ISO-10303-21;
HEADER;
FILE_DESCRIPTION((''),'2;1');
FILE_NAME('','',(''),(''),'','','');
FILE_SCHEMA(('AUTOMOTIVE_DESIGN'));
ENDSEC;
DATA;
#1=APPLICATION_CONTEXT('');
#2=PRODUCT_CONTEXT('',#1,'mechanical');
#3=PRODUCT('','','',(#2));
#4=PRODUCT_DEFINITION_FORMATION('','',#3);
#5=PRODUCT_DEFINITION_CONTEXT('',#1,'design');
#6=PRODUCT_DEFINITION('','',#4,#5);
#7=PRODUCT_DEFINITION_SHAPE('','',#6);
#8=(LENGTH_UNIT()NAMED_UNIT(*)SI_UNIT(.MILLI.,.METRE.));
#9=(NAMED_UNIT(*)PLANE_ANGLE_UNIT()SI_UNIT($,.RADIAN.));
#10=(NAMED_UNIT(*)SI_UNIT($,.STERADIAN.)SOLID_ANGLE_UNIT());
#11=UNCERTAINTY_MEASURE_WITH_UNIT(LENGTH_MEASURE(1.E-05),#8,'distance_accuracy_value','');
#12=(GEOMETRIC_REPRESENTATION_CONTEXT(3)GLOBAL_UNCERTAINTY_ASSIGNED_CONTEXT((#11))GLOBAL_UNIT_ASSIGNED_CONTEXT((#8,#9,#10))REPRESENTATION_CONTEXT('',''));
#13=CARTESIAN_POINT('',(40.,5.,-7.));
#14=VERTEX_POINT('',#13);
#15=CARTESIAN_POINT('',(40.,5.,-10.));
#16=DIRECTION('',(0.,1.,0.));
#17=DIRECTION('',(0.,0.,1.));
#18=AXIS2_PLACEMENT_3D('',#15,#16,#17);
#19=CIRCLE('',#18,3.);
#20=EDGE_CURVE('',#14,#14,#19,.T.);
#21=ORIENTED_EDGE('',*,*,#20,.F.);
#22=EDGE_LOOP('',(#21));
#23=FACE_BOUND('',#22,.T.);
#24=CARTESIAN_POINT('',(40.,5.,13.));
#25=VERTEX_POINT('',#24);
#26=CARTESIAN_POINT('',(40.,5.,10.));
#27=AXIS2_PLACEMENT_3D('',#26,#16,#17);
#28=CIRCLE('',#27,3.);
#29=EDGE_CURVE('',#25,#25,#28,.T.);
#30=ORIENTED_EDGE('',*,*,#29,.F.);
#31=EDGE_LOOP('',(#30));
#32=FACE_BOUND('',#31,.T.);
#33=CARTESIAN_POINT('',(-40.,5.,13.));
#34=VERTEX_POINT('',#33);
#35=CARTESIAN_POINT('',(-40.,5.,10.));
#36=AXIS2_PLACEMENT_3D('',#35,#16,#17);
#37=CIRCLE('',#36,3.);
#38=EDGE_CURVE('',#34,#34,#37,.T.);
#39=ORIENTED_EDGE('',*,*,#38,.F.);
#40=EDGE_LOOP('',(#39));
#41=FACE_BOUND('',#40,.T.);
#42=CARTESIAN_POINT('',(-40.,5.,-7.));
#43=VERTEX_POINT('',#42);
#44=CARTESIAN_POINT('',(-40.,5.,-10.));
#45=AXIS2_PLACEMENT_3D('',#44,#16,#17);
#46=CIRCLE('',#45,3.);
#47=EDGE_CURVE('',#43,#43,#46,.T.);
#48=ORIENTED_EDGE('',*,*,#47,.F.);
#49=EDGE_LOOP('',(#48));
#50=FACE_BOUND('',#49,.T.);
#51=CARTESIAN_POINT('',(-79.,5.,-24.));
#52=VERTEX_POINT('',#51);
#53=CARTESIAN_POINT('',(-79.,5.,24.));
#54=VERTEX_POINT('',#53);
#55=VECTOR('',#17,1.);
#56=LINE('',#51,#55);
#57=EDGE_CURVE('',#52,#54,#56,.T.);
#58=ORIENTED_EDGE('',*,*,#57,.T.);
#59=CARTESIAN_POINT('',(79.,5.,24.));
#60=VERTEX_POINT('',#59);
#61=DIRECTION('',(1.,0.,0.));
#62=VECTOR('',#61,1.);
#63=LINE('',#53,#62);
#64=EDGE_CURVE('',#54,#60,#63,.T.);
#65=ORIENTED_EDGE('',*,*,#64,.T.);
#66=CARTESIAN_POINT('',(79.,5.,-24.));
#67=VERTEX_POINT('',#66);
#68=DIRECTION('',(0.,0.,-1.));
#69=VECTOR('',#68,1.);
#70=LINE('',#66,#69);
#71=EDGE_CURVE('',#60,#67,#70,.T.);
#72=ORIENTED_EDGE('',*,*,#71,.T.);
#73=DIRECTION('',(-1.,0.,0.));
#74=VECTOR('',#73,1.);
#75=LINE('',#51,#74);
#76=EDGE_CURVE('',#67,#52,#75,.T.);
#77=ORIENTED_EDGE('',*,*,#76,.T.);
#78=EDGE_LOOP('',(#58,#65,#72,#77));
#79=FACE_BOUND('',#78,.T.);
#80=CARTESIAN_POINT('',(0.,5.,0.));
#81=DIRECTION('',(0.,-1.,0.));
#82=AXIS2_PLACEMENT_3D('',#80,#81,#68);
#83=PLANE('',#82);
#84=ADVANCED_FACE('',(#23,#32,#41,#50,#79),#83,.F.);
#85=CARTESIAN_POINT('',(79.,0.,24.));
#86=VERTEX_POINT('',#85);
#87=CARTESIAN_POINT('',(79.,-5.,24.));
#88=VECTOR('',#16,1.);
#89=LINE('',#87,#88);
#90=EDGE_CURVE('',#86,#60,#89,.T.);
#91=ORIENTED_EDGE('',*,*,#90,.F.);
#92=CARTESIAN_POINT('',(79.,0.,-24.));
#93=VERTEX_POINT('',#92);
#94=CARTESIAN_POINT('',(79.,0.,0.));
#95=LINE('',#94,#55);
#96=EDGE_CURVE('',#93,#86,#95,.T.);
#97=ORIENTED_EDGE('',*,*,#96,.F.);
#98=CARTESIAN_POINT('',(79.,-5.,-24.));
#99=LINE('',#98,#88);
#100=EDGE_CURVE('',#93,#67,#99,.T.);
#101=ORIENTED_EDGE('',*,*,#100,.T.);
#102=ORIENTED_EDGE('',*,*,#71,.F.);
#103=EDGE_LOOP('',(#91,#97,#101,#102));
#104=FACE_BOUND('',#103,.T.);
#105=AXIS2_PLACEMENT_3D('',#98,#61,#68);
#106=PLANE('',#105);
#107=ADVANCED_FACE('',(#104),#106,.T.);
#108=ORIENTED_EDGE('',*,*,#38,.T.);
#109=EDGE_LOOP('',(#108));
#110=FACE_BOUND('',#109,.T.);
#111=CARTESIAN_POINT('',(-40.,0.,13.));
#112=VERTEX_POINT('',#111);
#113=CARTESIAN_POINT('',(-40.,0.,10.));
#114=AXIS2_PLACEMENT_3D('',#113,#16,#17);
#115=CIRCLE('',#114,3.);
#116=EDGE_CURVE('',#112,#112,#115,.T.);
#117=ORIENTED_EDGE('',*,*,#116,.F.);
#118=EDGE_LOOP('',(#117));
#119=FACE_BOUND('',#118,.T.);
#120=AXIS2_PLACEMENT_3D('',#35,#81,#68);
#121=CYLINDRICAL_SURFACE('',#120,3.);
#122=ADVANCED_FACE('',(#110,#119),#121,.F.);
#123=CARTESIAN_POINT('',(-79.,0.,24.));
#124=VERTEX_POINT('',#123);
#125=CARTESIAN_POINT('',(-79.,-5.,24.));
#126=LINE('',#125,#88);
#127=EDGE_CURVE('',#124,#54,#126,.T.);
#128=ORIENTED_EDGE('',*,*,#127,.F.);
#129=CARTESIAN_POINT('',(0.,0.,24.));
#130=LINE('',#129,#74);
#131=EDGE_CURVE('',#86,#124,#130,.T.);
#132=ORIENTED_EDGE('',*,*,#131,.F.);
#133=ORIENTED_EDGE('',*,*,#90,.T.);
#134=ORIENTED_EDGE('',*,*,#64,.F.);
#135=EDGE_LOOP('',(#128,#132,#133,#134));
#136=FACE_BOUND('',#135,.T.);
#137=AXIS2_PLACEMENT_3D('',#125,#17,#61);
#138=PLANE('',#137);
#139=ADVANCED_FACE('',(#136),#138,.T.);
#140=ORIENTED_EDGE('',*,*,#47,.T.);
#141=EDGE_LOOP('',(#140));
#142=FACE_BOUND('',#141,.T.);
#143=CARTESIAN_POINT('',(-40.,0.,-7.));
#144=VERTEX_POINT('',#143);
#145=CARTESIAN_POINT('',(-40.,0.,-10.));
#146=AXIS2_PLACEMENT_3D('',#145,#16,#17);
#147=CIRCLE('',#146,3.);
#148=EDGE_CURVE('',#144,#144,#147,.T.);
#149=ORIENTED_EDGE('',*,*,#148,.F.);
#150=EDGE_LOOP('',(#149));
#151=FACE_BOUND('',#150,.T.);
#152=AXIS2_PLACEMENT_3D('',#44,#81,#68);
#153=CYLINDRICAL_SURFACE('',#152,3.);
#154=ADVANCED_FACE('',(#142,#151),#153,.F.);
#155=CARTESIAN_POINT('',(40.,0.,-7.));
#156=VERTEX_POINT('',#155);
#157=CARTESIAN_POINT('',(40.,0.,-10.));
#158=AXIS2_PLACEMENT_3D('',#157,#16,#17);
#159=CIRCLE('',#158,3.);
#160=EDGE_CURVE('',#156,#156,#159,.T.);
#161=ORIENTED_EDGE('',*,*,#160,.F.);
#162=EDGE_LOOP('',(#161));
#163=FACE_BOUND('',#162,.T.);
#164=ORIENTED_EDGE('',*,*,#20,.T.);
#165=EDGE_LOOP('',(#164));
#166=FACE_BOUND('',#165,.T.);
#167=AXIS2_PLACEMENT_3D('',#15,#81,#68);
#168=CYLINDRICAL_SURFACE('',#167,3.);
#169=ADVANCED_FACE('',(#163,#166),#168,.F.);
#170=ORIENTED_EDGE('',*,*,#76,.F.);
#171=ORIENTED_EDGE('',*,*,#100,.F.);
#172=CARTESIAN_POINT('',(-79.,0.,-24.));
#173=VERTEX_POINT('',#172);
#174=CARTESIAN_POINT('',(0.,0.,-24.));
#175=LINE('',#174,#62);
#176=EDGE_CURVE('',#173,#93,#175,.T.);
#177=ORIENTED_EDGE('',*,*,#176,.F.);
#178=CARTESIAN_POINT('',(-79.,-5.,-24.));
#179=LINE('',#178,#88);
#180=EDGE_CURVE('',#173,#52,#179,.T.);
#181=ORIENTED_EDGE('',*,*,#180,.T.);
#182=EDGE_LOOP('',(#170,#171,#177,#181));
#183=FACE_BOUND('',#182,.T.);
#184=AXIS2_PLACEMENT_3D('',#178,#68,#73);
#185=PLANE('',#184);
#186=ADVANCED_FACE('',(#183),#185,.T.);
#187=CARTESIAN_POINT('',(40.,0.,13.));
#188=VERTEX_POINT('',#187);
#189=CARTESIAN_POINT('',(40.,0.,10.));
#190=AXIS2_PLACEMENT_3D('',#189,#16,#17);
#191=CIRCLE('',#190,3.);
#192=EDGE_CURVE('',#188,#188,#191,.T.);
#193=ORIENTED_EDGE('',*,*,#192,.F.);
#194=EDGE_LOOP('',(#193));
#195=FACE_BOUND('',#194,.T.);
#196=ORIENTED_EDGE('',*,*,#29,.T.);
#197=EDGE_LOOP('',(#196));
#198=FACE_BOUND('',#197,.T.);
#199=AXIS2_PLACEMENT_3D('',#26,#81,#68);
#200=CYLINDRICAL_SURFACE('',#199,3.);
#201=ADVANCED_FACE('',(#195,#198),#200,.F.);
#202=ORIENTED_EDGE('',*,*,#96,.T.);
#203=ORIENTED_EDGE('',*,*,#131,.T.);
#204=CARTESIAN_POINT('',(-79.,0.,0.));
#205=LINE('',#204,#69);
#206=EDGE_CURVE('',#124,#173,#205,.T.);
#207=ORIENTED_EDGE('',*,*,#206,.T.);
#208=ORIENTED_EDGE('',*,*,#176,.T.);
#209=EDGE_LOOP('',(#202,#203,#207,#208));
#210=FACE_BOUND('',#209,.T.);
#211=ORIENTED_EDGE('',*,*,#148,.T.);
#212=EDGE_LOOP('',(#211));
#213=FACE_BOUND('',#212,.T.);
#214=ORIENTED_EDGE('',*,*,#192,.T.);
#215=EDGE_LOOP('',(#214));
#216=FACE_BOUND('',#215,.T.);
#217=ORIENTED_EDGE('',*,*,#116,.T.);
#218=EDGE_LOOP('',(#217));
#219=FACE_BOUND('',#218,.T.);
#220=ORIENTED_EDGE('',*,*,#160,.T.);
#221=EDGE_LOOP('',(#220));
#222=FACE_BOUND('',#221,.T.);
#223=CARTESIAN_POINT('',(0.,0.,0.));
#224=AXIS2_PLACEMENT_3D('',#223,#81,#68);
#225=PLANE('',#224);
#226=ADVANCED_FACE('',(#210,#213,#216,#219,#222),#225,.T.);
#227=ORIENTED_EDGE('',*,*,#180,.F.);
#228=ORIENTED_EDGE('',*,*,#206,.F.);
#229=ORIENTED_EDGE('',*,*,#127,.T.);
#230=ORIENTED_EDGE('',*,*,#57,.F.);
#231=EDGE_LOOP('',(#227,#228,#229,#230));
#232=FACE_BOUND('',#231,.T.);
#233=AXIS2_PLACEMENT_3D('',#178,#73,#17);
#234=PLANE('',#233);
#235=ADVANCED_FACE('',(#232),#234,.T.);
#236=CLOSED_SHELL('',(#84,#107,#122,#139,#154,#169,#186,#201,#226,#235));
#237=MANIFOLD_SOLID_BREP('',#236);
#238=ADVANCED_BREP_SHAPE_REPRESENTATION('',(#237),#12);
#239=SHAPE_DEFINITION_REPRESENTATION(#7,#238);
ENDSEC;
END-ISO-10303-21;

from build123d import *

# Parameters (mm, degrees)
SKIZZE1_W                       = 160
SKIZZE1_H                       = 50
SKIZZE1_R                       = 3
AUFSATZ_LINEAR_AUSTRAGEN1_DEPTH = 5
SKIZZE2_W                       = 160
SKIZZE2_H                       = 50
SKIZZE2_W_2                     = 158
SKIZZE2_H_2                     = 48
SCHNITT_LINEAR_AUSTRAGEN1_DEPTH = 10


with BuildPart() as part:
    # Skizze1 → Aufsatz-Linear austragen1 (new body)
    with BuildSketch(Plane(origin=(0, 0, 0), x_dir=(1, 0, 0), z_dir=(0, 1, 0))):
        Rectangle(SKIZZE1_W, SKIZZE1_H)
        with Locations(Location((-40, 10, 0), (0, 0, 270))):
            Circle(SKIZZE1_R, mode=Mode.SUBTRACT)
        with Locations(Location((-40, -10, 0), (0, 0, 270))):
            Circle(SKIZZE1_R, mode=Mode.SUBTRACT)
        with Locations(Location((40, 10, 0), (0, 0, 270))):
            Circle(SKIZZE1_R, mode=Mode.SUBTRACT)
        with Locations(Location((40, -10, 0), (0, 0, 270))):
            Circle(SKIZZE1_R, mode=Mode.SUBTRACT)
    extrude(amount=AUFSATZ_LINEAR_AUSTRAGEN1_DEPTH)

    # Skizze2 → Schnitt-Linear austragen1 (cut)
    with BuildSketch(Plane(origin=(0, 5, 0), x_dir=(1, 0, 0), z_dir=(0, 1, 0))):
        Rectangle(SKIZZE2_W, SKIZZE2_H)
        Rectangle(SKIZZE2_W_2, SKIZZE2_H_2, mode=Mode.SUBTRACT)
    extrude(amount=-SCHNITT_LINEAR_AUSTRAGEN1_DEPTH, mode=Mode.SUBTRACT)


solid = part.part
